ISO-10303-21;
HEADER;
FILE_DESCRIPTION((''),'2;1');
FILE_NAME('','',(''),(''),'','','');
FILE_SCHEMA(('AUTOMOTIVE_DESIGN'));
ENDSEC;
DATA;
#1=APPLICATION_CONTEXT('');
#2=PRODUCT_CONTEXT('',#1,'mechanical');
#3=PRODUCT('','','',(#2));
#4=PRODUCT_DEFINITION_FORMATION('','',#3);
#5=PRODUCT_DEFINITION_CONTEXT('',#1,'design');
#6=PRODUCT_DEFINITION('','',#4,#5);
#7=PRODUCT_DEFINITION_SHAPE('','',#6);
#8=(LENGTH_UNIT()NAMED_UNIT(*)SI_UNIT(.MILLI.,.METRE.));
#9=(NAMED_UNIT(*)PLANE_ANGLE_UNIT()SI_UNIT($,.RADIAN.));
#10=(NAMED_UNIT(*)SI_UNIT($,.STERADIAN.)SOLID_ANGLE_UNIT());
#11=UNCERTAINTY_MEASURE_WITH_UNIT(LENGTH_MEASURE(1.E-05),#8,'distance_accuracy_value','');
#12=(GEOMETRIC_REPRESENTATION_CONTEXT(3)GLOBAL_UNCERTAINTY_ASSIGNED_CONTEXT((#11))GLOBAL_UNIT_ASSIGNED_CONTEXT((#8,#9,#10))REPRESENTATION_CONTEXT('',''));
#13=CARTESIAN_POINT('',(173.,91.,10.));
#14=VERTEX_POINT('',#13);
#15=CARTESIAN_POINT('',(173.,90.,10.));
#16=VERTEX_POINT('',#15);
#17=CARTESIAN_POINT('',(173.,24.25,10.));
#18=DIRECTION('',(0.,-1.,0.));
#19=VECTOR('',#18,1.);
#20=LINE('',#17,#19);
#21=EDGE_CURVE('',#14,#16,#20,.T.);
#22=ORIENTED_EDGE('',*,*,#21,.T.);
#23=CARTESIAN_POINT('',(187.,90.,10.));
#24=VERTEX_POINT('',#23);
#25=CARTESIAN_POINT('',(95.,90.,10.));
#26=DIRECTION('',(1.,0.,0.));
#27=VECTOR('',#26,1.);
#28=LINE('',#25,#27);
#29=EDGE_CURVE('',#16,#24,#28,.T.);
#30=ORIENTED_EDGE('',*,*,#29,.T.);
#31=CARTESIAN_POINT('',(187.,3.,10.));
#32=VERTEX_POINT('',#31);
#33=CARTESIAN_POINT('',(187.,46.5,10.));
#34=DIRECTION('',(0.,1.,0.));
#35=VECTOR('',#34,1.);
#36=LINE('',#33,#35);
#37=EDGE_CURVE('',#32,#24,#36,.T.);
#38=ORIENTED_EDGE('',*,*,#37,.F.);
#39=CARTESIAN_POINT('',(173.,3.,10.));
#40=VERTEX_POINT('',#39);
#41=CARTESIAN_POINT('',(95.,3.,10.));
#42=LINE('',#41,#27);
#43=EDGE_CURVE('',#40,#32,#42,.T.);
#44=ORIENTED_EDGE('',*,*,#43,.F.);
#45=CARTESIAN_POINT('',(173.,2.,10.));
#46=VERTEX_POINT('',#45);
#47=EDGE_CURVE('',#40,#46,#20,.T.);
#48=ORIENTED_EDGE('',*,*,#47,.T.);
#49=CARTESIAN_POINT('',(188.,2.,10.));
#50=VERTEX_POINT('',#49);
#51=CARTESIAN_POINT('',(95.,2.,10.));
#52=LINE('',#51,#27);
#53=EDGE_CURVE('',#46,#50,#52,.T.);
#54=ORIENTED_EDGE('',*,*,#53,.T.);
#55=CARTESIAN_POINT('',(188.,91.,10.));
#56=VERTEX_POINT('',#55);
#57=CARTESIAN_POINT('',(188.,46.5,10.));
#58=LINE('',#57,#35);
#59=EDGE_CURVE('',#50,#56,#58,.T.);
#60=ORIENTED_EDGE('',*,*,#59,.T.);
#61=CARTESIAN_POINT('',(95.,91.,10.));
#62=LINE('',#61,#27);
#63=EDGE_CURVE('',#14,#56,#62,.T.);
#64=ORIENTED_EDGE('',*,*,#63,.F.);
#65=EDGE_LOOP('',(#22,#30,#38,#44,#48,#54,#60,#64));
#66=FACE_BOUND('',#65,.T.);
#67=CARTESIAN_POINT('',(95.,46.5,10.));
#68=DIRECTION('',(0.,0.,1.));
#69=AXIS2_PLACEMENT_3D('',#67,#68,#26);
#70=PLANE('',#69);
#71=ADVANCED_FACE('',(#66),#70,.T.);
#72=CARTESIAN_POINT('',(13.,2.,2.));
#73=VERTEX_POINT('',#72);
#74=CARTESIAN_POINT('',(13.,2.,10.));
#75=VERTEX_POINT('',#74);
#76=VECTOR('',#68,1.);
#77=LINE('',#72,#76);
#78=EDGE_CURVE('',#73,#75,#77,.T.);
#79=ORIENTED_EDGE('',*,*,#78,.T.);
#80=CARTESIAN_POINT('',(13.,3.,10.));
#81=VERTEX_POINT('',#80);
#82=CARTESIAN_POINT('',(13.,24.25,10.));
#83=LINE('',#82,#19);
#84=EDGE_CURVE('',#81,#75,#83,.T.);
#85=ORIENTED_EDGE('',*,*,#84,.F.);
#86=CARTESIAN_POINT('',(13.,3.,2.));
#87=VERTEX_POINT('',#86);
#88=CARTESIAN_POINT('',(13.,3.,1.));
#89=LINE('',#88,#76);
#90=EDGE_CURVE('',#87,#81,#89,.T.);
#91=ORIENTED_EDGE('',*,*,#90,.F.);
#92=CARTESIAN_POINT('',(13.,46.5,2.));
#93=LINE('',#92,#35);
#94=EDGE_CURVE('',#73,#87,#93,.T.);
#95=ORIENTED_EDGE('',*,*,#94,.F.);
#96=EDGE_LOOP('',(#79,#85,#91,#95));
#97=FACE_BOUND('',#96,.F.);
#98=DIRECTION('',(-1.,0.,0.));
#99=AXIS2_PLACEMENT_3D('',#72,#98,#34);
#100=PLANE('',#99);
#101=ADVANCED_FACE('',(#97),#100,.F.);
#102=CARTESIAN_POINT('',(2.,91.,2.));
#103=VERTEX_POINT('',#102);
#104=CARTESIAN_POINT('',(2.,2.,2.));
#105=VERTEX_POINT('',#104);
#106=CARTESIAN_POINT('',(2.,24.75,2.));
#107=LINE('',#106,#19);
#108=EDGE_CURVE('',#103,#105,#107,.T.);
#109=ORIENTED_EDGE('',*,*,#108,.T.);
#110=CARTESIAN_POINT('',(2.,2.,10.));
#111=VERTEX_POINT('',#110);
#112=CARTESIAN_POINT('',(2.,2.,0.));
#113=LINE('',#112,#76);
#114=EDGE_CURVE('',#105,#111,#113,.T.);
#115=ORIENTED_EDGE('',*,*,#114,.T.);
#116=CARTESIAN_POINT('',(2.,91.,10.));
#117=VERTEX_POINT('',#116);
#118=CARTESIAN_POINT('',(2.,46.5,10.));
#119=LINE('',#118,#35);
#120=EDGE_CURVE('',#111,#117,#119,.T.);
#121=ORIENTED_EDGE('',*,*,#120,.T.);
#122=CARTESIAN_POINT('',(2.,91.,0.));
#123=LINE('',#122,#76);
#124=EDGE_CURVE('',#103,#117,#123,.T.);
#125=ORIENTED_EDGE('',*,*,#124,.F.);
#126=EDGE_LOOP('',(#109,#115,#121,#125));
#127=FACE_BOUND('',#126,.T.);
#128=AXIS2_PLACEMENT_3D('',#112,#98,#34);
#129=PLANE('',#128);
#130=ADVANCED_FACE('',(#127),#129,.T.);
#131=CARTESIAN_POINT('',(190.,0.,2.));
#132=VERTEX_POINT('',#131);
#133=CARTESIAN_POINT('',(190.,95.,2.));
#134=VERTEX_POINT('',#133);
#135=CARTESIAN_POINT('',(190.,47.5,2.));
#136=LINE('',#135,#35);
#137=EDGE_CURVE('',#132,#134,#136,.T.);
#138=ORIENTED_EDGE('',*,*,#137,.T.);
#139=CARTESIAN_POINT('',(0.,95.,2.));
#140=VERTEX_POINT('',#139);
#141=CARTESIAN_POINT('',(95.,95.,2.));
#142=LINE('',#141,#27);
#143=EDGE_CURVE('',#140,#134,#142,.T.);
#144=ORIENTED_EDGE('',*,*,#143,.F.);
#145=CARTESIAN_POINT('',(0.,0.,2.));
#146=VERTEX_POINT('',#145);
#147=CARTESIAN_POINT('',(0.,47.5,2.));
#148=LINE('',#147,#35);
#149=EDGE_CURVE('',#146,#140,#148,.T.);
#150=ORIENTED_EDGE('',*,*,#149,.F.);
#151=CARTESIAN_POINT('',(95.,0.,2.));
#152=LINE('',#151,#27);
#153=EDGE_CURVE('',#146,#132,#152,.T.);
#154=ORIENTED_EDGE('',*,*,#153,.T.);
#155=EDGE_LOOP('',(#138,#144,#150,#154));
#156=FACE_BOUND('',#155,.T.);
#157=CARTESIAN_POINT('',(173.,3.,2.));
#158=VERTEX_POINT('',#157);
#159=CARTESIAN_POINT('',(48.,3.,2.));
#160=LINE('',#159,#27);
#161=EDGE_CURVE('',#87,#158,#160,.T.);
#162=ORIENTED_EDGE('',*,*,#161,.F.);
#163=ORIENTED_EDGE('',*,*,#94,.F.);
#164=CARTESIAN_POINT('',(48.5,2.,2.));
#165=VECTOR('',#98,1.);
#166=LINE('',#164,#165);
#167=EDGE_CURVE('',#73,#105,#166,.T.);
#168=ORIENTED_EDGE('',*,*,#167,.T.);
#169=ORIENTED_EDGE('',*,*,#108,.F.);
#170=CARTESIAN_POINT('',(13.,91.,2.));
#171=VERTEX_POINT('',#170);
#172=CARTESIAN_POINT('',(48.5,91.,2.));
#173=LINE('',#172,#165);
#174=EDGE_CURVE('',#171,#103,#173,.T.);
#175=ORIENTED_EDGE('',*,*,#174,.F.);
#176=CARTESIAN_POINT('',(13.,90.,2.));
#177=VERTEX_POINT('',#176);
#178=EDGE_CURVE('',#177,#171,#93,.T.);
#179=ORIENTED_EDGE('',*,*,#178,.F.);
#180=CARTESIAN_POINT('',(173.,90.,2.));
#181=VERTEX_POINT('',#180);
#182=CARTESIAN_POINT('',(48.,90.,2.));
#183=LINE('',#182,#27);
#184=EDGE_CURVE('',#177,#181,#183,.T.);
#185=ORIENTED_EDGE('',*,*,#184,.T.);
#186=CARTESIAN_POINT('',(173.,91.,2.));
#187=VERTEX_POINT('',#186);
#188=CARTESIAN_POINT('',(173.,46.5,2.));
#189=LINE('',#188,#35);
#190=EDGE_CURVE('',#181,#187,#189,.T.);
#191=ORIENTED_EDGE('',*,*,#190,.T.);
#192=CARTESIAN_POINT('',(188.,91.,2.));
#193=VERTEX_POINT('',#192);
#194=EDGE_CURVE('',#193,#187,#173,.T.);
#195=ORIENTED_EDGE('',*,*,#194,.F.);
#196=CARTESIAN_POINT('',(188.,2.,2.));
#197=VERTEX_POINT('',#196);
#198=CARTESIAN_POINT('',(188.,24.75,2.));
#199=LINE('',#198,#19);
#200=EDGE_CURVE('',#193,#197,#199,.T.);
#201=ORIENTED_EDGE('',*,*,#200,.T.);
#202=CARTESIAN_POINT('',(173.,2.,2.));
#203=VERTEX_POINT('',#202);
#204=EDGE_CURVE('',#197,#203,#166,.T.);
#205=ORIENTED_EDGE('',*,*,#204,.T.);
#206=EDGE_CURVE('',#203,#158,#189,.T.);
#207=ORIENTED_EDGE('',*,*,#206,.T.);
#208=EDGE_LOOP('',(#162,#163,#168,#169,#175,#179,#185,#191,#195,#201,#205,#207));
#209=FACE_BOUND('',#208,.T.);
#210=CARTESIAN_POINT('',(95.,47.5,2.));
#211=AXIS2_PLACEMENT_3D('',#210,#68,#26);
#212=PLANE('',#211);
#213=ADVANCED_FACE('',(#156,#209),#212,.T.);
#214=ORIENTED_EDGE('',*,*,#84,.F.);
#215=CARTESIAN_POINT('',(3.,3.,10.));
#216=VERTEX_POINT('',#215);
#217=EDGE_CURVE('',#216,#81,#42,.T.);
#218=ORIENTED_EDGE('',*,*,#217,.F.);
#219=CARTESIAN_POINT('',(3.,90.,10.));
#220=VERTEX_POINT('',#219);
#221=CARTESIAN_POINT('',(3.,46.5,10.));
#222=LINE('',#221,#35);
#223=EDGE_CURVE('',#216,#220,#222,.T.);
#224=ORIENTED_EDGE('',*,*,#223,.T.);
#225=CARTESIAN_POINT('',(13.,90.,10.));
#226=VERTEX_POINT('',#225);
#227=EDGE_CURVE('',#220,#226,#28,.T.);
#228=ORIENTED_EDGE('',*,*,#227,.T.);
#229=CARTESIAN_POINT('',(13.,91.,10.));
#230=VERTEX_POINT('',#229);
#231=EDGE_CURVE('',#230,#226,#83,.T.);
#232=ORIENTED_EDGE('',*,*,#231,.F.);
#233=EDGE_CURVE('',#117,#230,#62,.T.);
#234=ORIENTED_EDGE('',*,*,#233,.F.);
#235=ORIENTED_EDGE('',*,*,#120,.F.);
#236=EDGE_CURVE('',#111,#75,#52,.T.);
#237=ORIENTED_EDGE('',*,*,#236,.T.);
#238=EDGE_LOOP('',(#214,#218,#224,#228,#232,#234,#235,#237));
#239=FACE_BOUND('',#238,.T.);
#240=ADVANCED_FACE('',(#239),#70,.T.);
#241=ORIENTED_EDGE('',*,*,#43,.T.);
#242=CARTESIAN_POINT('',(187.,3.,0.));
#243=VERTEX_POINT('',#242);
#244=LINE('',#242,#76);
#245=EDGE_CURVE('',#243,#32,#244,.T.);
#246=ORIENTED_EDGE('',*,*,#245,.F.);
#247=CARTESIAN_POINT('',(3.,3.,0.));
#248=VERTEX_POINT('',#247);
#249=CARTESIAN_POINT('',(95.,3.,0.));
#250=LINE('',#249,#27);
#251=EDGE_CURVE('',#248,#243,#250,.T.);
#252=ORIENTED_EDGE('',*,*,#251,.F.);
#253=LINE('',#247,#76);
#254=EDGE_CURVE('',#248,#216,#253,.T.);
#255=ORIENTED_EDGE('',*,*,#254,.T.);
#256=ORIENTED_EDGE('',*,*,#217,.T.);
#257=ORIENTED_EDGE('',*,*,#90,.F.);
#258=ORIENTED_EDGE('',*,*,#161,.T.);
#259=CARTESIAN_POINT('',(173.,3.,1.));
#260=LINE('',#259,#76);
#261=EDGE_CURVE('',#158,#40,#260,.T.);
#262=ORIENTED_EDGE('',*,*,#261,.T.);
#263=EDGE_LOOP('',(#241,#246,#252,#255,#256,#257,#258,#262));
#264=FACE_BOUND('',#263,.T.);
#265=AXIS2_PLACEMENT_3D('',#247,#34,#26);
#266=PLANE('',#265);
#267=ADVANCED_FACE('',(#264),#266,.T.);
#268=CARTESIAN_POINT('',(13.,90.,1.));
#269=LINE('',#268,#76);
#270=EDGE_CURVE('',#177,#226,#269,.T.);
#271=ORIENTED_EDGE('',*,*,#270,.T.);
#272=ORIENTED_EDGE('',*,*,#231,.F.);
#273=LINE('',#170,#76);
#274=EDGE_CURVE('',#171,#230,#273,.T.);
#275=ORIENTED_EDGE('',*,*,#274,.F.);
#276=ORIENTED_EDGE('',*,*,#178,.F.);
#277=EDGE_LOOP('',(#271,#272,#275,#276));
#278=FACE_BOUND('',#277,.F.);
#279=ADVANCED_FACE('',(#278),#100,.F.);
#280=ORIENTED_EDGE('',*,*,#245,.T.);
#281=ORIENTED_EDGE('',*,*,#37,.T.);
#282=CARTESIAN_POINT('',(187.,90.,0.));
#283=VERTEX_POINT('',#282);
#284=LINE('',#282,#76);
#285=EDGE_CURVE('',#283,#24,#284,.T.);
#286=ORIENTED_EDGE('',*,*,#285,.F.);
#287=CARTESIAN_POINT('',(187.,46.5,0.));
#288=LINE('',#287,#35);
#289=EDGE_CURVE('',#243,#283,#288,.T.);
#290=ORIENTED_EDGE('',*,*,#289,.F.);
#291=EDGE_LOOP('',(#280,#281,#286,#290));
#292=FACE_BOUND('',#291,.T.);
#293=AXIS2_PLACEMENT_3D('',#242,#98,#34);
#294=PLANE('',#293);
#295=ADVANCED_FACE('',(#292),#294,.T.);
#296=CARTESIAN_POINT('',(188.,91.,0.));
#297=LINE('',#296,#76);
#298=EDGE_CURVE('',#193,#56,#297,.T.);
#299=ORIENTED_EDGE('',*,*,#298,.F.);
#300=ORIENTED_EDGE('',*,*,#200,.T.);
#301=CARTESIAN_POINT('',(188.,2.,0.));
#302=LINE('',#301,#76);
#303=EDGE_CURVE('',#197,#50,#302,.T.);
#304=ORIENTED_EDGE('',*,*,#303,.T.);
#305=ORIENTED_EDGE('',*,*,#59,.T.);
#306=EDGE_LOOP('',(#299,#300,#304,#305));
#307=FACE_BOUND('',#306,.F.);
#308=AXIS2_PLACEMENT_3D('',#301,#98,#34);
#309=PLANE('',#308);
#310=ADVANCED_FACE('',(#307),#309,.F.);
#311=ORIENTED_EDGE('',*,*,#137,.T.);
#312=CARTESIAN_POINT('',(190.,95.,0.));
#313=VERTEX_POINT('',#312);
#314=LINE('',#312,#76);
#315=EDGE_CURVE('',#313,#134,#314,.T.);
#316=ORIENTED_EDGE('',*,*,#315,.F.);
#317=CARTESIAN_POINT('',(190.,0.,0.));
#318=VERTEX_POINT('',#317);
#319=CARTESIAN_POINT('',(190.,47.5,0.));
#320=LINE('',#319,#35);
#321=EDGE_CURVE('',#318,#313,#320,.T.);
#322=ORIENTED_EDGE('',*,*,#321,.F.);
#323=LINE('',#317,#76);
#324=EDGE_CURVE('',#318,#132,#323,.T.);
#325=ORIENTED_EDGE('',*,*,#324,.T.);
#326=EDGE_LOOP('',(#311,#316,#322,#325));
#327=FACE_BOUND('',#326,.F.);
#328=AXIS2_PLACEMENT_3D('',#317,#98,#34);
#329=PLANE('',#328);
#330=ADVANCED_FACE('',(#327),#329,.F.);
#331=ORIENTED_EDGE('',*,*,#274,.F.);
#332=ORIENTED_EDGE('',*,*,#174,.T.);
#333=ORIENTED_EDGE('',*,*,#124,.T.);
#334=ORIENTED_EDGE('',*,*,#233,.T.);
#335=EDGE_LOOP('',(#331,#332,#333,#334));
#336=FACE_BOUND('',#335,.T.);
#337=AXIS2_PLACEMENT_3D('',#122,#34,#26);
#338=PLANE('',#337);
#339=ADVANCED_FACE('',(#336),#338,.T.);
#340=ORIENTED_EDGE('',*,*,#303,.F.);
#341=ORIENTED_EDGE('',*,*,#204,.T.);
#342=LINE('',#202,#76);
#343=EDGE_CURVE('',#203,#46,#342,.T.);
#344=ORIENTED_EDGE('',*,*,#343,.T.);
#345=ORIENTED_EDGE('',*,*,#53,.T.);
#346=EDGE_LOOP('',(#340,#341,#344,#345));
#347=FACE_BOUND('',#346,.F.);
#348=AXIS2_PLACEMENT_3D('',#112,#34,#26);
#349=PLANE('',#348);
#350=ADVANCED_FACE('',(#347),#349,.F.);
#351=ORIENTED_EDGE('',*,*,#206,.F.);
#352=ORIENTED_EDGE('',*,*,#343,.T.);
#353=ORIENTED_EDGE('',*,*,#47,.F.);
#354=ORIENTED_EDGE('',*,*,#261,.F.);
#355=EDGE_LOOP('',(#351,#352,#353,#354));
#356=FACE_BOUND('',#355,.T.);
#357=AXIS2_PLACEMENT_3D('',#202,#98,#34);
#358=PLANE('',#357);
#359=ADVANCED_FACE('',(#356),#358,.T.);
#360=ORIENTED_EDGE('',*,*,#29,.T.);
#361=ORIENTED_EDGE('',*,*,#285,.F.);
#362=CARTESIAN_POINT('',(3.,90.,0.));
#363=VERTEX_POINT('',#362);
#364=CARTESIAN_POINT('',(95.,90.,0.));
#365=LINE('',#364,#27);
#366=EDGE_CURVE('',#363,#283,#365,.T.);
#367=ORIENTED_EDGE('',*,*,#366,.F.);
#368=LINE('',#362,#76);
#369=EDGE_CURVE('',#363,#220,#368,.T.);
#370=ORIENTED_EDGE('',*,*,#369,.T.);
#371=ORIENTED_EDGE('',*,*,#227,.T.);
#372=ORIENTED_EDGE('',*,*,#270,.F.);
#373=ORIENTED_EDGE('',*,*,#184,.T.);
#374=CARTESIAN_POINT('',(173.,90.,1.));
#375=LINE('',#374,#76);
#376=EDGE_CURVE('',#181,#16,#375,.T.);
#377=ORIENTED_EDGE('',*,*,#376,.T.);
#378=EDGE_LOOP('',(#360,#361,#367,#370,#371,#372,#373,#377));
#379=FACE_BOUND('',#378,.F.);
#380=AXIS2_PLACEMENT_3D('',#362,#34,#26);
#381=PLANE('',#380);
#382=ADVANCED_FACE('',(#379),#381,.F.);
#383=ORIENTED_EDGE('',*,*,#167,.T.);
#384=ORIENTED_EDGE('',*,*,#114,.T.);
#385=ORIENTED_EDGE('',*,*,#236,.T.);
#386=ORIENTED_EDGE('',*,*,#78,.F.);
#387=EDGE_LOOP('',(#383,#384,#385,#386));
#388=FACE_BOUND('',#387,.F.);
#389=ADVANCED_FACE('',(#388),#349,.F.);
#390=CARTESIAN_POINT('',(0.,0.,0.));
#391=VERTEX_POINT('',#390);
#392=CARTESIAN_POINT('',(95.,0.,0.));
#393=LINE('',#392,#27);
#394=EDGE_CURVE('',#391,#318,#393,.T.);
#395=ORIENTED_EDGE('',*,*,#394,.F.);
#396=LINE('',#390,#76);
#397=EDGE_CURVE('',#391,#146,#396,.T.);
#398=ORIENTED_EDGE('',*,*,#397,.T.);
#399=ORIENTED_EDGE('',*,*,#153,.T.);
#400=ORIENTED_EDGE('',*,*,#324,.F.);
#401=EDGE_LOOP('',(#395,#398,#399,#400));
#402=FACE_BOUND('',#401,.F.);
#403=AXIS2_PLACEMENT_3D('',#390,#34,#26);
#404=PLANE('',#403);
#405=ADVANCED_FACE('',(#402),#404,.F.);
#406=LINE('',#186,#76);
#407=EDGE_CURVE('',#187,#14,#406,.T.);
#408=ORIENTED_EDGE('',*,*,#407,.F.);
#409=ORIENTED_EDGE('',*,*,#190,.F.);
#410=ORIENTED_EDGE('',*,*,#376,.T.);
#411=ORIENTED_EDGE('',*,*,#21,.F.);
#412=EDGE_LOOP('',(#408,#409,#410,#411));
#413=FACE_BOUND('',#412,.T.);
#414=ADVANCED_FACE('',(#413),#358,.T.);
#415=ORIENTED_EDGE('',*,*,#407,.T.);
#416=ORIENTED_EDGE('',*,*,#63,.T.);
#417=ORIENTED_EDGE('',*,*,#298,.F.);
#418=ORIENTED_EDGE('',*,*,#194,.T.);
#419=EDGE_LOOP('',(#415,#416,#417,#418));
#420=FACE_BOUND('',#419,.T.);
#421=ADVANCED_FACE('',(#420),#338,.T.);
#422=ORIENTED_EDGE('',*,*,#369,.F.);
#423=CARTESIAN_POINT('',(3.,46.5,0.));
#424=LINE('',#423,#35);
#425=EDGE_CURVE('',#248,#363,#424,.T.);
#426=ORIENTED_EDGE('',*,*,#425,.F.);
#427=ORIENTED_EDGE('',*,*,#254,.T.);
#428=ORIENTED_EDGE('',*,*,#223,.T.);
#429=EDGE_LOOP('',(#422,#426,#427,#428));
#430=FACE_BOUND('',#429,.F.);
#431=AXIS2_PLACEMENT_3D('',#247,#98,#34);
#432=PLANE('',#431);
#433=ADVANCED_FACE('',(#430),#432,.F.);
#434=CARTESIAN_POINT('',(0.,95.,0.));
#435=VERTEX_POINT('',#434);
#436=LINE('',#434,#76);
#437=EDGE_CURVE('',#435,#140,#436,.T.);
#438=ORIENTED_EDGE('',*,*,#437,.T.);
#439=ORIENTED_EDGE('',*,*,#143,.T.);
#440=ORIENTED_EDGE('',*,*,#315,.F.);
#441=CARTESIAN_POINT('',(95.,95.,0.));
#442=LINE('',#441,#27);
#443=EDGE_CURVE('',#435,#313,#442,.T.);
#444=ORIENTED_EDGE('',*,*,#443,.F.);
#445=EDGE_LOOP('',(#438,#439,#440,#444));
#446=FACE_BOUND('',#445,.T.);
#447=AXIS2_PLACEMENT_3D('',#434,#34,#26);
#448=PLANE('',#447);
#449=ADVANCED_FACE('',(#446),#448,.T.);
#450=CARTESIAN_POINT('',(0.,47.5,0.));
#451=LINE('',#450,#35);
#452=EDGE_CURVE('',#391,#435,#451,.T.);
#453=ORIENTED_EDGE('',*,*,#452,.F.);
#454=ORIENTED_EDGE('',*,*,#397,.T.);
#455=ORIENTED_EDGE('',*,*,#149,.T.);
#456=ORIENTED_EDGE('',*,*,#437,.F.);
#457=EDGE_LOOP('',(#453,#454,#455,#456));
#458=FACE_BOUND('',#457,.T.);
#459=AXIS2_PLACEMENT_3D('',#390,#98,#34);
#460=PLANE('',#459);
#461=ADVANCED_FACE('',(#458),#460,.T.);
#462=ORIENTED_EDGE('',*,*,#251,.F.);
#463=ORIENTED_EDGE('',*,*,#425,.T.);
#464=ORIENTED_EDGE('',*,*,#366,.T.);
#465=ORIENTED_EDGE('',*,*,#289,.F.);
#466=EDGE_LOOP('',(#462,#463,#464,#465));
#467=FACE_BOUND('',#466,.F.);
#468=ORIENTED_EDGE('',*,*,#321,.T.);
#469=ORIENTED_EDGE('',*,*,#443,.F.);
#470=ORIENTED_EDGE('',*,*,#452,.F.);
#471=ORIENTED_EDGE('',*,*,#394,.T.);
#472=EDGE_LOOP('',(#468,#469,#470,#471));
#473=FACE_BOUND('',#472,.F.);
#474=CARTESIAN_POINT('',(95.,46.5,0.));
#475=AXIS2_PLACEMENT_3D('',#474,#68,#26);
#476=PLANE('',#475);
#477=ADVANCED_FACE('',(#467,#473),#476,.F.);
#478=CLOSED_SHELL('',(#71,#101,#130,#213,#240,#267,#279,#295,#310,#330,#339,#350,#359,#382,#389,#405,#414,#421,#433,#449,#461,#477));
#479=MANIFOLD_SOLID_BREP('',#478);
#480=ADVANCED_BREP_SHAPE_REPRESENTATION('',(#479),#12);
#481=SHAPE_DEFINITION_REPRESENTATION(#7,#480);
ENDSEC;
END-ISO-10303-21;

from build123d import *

# Parameters (mm, degrees)
BOX_W        = 190
BOX_H        = 95
BOX_DEPTH    = 2
BOX001_W     = 186
BOX001_H     = 89
BOX001_DEPTH = 10
BOX002_W     = 184
BOX002_H     = 87
BOX002_DEPTH = 10
BOX003_W     = 160
BOX003_H     = 89
BOX003_DEPTH = 10


with BuildPart() as part:
    # Box → Box (join)
    with BuildSketch(Plane.XY):
        with Locations((95, 47.5)):
            Rectangle(BOX_W, BOX_H)
    extrude(amount=BOX_DEPTH)

    # Box001 → Box001 (join)
    with BuildSketch(Plane(origin=(2, 2, 0), x_dir=(1, 0, 0), z_dir=(0, 0, 1))):
        with Locations((93, 44.5)):
            Rectangle(BOX001_W, BOX001_H)
    extrude(amount=BOX001_DEPTH)

    # Box002 → Box002 (cut)
    with BuildSketch(Plane(origin=(3, 3, 0), x_dir=(1, 0, 0), z_dir=(0, 0, 1))):
        with Locations((92, 43.5)):
            Rectangle(BOX002_W, BOX002_H)
    extrude(amount=BOX002_DEPTH, mode=Mode.SUBTRACT)

    # Box003 → Box003 (cut)
    with BuildSketch(Plane(origin=(13, 2, 2), x_dir=(1, 0, 0), z_dir=(0, 0, 1))):
        with Locations((80, 44.5)):
            Rectangle(BOX003_W, BOX003_H)
    extrude(amount=BOX003_DEPTH, mode=Mode.SUBTRACT)


solid = part.part
